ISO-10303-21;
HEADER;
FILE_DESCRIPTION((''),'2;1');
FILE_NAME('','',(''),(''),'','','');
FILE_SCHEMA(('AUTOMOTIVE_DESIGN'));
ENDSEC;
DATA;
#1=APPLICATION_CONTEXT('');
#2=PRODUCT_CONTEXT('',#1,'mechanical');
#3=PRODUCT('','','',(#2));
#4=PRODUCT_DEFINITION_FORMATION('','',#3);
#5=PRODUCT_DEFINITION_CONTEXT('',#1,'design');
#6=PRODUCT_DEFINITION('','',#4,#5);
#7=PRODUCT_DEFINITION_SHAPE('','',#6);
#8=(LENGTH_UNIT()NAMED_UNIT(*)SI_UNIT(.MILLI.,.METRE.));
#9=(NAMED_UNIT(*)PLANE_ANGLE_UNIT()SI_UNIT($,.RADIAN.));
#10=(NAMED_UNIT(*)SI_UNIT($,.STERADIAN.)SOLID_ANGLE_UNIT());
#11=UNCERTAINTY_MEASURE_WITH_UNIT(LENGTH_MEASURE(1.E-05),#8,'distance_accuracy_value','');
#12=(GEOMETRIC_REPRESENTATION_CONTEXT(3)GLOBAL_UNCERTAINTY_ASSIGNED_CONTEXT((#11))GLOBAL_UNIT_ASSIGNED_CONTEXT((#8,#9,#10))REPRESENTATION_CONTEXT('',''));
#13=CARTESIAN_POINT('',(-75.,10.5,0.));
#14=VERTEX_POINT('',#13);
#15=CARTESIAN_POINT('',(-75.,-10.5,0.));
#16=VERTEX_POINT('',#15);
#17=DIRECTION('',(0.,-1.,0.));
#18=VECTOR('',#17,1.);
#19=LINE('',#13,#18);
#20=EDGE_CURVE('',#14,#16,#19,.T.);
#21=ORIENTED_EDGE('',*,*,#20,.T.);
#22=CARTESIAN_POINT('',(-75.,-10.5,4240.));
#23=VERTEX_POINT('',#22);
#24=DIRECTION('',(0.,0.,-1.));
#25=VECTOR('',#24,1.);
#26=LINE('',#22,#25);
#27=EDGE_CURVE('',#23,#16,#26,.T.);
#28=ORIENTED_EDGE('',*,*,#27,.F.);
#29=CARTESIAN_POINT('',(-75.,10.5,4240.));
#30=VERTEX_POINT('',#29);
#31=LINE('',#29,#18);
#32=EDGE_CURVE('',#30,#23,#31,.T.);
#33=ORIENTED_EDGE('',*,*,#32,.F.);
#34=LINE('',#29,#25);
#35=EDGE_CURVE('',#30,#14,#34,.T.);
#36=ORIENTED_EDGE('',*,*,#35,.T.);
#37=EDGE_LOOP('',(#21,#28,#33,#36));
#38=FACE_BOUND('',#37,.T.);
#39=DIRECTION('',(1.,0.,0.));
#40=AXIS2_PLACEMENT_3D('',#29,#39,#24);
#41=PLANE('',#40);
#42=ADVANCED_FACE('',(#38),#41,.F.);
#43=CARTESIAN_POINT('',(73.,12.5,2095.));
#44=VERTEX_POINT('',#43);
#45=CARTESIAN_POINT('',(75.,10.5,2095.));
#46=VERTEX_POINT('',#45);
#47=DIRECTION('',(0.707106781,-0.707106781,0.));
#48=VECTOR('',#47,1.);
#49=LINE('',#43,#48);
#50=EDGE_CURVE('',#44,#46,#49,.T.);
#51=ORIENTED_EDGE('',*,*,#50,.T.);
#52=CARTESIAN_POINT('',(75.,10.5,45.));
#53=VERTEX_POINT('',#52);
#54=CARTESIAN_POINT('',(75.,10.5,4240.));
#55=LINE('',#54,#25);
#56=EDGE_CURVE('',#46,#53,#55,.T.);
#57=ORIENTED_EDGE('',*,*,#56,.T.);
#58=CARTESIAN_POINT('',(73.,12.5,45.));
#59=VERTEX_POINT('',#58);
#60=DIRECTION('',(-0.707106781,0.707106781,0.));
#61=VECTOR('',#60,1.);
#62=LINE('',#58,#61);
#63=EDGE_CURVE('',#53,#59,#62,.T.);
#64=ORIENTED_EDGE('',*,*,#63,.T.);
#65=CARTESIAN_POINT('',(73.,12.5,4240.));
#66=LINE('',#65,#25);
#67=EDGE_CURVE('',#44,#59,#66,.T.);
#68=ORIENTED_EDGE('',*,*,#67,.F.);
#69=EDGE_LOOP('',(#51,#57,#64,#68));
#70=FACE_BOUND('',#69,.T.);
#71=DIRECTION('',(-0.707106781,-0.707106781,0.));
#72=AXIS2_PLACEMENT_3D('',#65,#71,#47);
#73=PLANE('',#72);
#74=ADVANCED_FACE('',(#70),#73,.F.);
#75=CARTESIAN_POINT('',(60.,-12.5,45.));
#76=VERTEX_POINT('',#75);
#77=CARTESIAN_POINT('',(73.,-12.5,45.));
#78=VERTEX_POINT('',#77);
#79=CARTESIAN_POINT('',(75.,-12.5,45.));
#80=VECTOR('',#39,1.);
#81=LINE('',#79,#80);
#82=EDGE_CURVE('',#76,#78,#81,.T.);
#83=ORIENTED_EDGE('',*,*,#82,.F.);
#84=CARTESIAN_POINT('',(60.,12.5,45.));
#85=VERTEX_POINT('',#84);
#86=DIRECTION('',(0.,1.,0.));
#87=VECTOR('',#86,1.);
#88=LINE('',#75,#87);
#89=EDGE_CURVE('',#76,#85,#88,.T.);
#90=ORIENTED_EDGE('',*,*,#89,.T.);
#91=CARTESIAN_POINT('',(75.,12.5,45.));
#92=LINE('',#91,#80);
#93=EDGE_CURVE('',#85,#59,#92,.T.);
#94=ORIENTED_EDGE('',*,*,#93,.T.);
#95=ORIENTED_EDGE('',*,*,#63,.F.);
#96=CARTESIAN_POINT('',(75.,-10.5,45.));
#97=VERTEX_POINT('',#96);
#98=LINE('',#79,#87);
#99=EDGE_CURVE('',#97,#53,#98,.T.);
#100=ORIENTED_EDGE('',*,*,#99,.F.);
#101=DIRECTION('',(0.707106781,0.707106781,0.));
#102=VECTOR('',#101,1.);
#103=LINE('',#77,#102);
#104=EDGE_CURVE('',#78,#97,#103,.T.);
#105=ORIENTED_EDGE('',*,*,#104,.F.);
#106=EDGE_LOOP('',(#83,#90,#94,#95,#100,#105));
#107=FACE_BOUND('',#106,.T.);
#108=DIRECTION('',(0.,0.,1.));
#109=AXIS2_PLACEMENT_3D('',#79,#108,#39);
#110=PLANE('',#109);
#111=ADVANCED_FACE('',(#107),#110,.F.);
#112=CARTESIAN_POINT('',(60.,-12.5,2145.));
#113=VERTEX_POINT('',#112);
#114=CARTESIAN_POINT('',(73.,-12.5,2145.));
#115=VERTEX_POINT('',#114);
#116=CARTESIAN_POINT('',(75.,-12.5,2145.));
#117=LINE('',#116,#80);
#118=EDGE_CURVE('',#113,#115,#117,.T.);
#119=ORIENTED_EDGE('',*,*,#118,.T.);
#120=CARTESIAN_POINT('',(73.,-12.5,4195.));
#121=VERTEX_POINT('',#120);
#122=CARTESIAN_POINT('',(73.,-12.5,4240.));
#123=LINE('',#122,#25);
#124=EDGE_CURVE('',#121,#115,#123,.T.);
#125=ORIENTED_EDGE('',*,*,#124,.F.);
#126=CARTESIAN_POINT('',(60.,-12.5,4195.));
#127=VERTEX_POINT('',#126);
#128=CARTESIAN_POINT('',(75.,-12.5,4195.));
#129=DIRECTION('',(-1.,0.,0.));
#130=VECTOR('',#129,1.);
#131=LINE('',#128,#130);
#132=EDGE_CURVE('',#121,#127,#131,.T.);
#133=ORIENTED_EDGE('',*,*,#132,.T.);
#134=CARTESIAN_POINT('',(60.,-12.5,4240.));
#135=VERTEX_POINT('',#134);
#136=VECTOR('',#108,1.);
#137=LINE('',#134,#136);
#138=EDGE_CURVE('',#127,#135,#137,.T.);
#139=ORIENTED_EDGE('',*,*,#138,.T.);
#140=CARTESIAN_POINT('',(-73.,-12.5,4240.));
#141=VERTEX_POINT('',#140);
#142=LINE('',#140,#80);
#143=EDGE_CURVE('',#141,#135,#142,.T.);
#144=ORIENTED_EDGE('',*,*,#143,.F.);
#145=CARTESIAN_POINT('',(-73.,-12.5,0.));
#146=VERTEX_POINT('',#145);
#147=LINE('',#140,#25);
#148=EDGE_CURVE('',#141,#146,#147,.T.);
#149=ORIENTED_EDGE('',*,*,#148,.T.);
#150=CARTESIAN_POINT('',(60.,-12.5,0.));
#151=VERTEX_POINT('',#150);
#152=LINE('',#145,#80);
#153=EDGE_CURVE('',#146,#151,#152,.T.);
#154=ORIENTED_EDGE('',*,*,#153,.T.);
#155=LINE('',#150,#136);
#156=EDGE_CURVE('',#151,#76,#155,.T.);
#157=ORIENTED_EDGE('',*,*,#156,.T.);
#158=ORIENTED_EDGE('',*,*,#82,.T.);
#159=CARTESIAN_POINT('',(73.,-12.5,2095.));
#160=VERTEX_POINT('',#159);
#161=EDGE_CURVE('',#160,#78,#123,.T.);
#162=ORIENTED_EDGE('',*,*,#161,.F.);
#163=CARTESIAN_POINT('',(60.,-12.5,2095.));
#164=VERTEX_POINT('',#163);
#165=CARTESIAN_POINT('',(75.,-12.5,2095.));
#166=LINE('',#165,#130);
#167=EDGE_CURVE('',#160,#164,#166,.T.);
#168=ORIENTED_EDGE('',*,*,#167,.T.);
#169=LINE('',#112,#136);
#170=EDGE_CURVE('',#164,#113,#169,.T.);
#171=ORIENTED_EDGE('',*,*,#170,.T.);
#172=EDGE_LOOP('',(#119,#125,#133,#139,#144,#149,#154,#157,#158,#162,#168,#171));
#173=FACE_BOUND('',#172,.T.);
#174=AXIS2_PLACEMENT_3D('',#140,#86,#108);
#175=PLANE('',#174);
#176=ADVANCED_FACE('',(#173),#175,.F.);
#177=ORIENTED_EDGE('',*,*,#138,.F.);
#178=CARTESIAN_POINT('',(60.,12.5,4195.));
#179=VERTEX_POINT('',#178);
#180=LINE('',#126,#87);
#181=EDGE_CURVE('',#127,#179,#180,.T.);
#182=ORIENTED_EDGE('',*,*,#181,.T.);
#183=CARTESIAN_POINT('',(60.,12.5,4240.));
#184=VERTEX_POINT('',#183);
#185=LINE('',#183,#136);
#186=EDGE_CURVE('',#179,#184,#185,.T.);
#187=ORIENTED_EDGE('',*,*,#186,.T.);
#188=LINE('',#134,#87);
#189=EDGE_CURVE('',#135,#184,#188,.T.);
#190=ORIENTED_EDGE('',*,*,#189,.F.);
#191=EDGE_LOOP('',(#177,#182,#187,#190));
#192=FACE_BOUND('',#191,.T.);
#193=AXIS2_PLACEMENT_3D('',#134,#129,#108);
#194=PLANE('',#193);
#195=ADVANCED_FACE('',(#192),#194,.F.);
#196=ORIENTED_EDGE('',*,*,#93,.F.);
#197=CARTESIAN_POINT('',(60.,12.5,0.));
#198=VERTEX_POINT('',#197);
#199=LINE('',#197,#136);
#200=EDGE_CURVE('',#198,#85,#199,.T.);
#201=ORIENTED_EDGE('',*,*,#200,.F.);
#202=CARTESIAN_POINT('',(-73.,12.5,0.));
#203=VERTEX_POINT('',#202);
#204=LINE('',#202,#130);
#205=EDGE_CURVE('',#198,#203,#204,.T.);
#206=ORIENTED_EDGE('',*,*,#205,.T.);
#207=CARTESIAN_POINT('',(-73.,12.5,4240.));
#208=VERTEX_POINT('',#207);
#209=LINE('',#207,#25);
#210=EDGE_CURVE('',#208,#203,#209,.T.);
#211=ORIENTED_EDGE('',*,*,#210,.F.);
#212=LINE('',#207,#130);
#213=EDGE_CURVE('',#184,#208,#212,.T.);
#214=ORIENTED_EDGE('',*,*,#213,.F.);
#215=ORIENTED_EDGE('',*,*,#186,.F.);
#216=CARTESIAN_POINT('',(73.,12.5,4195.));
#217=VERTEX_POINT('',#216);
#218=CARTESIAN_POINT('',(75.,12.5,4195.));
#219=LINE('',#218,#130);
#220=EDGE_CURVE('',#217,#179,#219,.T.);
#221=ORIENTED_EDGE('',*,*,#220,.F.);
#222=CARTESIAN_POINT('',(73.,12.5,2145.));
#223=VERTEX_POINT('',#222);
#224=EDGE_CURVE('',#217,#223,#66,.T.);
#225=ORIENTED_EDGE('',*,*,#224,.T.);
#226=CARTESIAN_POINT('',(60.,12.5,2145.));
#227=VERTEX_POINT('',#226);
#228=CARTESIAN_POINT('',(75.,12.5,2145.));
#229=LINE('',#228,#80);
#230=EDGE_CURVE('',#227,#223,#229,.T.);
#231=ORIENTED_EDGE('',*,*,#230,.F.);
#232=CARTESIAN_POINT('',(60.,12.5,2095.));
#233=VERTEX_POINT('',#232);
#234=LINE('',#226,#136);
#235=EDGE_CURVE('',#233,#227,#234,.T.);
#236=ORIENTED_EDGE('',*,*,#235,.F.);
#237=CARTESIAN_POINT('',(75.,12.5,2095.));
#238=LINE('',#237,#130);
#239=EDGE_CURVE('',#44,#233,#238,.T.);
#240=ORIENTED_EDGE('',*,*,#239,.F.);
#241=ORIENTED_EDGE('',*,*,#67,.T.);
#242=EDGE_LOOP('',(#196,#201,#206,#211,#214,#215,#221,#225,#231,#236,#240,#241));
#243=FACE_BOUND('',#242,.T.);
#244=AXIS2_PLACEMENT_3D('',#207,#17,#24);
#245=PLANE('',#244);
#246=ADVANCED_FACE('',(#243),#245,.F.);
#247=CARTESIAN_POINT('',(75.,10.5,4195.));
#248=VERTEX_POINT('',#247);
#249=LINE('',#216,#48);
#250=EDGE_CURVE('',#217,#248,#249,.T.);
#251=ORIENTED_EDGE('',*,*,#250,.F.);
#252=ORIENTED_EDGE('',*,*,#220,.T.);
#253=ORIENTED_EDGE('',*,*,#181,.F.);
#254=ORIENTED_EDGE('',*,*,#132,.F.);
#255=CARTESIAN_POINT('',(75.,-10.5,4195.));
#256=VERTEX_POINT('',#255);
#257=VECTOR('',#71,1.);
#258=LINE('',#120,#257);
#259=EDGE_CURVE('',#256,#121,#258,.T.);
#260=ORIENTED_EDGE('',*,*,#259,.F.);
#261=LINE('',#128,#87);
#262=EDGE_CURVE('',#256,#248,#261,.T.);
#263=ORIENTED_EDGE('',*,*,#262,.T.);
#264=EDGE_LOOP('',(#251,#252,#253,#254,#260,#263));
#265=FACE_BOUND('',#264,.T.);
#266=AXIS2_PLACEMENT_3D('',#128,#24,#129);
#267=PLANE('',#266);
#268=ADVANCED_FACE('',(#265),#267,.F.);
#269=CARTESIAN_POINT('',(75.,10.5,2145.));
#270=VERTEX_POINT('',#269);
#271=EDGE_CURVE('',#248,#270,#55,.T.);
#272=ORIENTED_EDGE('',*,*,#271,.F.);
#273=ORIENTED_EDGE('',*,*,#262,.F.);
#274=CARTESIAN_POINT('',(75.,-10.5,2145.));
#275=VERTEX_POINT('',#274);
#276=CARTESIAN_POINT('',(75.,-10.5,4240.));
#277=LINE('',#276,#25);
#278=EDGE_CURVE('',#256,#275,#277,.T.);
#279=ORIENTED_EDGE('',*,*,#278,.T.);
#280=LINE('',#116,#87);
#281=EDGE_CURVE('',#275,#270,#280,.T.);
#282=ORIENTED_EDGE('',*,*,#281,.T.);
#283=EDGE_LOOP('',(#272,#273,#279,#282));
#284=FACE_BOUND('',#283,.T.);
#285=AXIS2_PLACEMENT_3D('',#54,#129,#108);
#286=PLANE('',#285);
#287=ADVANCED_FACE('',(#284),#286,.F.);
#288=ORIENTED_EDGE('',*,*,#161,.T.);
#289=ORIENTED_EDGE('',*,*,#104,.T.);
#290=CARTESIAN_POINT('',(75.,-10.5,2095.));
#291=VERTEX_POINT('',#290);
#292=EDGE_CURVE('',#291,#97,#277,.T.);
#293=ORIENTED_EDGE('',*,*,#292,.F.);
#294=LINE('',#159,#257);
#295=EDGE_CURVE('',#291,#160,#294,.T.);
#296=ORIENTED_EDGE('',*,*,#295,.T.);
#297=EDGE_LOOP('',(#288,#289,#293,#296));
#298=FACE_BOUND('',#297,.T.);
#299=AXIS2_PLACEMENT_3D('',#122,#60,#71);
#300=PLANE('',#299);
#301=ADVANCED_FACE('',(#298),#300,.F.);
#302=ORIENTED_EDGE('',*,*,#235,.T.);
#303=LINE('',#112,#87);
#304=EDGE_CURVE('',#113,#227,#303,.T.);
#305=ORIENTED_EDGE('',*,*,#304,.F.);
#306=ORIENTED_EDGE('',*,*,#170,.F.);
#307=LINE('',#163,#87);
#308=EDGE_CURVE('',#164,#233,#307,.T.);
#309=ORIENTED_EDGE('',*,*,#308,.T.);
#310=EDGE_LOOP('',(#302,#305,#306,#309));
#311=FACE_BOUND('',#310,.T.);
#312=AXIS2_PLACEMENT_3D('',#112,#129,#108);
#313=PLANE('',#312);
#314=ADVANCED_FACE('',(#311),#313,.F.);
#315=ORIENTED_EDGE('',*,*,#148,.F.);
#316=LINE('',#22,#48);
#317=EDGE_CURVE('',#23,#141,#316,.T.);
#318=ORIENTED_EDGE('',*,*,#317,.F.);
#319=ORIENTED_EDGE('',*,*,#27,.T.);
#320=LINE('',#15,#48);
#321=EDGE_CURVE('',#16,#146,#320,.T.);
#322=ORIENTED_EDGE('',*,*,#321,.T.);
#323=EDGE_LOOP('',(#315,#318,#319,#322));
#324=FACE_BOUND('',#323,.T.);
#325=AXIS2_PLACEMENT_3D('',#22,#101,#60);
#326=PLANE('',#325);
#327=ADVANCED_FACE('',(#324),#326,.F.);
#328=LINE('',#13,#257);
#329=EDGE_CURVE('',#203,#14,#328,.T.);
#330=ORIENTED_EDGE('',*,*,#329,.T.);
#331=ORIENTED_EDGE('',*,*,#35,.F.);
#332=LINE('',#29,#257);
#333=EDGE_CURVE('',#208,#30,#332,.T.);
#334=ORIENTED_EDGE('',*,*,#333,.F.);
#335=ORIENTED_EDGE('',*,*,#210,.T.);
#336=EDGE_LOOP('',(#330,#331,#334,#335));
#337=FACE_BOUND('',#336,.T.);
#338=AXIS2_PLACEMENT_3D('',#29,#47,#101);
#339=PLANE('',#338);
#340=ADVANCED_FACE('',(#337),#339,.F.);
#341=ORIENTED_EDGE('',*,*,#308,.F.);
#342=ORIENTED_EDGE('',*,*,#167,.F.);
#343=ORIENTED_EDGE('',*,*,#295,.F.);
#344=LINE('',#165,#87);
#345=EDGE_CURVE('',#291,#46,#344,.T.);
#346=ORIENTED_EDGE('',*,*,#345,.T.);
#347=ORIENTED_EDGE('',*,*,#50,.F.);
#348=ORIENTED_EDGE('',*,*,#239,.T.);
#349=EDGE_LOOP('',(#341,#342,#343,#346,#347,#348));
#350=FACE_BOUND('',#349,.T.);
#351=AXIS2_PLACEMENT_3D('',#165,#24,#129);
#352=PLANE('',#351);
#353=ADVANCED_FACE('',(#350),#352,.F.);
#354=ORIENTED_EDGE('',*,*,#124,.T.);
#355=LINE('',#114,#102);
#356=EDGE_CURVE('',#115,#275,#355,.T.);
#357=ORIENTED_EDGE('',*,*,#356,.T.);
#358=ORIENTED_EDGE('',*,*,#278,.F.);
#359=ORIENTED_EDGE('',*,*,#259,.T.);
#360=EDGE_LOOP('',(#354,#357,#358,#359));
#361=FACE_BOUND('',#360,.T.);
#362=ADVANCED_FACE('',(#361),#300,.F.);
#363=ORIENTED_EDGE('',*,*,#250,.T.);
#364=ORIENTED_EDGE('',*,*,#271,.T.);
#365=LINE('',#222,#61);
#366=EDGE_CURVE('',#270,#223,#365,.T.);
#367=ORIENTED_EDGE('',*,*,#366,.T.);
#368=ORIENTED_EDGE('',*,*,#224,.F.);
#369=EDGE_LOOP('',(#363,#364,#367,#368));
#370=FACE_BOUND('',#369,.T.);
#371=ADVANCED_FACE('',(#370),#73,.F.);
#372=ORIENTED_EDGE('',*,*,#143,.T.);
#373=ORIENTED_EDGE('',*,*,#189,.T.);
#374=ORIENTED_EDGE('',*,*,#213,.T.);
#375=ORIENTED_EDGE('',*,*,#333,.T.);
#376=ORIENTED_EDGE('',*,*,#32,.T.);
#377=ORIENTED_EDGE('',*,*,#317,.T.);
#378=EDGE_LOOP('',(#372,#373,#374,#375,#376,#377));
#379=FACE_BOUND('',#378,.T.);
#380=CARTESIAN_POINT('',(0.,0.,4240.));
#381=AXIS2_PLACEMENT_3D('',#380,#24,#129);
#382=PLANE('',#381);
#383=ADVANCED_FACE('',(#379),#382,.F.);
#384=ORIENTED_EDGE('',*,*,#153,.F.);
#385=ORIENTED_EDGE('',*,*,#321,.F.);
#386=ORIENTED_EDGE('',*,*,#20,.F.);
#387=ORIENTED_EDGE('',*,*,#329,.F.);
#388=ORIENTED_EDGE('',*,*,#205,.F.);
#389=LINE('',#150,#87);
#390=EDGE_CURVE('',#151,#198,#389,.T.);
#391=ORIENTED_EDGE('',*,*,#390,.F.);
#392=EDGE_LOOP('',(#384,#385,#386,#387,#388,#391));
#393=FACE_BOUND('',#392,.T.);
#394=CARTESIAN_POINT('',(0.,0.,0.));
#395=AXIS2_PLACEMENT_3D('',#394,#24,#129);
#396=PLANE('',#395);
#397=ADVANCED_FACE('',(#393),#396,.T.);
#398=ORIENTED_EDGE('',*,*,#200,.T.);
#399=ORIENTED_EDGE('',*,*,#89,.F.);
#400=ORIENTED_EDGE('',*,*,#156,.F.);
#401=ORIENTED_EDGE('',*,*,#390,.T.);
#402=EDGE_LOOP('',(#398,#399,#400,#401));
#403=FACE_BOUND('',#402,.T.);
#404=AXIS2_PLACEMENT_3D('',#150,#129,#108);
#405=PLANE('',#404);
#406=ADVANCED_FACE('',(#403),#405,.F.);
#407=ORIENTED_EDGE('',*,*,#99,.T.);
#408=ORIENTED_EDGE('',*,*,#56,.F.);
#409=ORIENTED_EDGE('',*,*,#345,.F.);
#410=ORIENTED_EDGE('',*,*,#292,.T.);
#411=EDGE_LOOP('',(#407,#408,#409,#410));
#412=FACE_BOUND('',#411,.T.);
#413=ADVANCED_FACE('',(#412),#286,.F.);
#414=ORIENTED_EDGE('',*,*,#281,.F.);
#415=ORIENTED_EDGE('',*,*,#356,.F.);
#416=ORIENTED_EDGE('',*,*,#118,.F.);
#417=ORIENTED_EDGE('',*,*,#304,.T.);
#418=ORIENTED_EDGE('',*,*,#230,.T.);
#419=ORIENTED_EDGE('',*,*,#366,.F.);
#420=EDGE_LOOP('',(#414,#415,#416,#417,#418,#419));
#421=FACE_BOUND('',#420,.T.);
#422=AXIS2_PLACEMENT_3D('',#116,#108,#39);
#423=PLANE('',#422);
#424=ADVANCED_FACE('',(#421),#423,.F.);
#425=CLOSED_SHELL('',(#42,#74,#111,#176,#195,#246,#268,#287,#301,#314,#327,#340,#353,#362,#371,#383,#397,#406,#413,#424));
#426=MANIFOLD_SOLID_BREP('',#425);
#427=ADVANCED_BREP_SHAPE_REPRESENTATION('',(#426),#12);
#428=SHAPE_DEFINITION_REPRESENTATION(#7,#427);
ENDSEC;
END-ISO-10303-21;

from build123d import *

# Parameters (mm, degrees)
EXTRUDE_1_DEPTH     = 4240
SKETCH_2_W          = 15
SKETCH_2_H          = 45
SKETCH_2_H_2        = 50
CUT_EXTRUDE_1_DEPTH = 4241.736964255


with BuildPart() as part:
    # Эскиз1 → Бобышка-Вытянуть1 (new body)
    with BuildSketch(Plane.XY):
        Polygon((-75, 10.5), (-73, 12.5), (73, 12.5), (75, 10.5), (75, -10.5), (73, -12.5), (-73, -12.5), (-75, -10.5), align=None)
    extrude(amount=EXTRUDE_1_DEPTH)

    # Эскиз2 → Вырез-Вытянуть1 (cut, through all)
    with BuildSketch(Plane(origin=(0, 12.5, 0), x_dir=(1, 0, 0), z_dir=(0, 1, 0))):
        with Locations((67.5, -22.5)):
            Rectangle(SKETCH_2_W, SKETCH_2_H)
        with Locations((67.5, -4217.5)):
            Rectangle(SKETCH_2_W, SKETCH_2_H)
        with Locations((67.5, -2120)):
            Rectangle(SKETCH_2_W, SKETCH_2_H_2)
    extrude(amount=-CUT_EXTRUDE_1_DEPTH, mode=Mode.SUBTRACT)


solid = part.part
